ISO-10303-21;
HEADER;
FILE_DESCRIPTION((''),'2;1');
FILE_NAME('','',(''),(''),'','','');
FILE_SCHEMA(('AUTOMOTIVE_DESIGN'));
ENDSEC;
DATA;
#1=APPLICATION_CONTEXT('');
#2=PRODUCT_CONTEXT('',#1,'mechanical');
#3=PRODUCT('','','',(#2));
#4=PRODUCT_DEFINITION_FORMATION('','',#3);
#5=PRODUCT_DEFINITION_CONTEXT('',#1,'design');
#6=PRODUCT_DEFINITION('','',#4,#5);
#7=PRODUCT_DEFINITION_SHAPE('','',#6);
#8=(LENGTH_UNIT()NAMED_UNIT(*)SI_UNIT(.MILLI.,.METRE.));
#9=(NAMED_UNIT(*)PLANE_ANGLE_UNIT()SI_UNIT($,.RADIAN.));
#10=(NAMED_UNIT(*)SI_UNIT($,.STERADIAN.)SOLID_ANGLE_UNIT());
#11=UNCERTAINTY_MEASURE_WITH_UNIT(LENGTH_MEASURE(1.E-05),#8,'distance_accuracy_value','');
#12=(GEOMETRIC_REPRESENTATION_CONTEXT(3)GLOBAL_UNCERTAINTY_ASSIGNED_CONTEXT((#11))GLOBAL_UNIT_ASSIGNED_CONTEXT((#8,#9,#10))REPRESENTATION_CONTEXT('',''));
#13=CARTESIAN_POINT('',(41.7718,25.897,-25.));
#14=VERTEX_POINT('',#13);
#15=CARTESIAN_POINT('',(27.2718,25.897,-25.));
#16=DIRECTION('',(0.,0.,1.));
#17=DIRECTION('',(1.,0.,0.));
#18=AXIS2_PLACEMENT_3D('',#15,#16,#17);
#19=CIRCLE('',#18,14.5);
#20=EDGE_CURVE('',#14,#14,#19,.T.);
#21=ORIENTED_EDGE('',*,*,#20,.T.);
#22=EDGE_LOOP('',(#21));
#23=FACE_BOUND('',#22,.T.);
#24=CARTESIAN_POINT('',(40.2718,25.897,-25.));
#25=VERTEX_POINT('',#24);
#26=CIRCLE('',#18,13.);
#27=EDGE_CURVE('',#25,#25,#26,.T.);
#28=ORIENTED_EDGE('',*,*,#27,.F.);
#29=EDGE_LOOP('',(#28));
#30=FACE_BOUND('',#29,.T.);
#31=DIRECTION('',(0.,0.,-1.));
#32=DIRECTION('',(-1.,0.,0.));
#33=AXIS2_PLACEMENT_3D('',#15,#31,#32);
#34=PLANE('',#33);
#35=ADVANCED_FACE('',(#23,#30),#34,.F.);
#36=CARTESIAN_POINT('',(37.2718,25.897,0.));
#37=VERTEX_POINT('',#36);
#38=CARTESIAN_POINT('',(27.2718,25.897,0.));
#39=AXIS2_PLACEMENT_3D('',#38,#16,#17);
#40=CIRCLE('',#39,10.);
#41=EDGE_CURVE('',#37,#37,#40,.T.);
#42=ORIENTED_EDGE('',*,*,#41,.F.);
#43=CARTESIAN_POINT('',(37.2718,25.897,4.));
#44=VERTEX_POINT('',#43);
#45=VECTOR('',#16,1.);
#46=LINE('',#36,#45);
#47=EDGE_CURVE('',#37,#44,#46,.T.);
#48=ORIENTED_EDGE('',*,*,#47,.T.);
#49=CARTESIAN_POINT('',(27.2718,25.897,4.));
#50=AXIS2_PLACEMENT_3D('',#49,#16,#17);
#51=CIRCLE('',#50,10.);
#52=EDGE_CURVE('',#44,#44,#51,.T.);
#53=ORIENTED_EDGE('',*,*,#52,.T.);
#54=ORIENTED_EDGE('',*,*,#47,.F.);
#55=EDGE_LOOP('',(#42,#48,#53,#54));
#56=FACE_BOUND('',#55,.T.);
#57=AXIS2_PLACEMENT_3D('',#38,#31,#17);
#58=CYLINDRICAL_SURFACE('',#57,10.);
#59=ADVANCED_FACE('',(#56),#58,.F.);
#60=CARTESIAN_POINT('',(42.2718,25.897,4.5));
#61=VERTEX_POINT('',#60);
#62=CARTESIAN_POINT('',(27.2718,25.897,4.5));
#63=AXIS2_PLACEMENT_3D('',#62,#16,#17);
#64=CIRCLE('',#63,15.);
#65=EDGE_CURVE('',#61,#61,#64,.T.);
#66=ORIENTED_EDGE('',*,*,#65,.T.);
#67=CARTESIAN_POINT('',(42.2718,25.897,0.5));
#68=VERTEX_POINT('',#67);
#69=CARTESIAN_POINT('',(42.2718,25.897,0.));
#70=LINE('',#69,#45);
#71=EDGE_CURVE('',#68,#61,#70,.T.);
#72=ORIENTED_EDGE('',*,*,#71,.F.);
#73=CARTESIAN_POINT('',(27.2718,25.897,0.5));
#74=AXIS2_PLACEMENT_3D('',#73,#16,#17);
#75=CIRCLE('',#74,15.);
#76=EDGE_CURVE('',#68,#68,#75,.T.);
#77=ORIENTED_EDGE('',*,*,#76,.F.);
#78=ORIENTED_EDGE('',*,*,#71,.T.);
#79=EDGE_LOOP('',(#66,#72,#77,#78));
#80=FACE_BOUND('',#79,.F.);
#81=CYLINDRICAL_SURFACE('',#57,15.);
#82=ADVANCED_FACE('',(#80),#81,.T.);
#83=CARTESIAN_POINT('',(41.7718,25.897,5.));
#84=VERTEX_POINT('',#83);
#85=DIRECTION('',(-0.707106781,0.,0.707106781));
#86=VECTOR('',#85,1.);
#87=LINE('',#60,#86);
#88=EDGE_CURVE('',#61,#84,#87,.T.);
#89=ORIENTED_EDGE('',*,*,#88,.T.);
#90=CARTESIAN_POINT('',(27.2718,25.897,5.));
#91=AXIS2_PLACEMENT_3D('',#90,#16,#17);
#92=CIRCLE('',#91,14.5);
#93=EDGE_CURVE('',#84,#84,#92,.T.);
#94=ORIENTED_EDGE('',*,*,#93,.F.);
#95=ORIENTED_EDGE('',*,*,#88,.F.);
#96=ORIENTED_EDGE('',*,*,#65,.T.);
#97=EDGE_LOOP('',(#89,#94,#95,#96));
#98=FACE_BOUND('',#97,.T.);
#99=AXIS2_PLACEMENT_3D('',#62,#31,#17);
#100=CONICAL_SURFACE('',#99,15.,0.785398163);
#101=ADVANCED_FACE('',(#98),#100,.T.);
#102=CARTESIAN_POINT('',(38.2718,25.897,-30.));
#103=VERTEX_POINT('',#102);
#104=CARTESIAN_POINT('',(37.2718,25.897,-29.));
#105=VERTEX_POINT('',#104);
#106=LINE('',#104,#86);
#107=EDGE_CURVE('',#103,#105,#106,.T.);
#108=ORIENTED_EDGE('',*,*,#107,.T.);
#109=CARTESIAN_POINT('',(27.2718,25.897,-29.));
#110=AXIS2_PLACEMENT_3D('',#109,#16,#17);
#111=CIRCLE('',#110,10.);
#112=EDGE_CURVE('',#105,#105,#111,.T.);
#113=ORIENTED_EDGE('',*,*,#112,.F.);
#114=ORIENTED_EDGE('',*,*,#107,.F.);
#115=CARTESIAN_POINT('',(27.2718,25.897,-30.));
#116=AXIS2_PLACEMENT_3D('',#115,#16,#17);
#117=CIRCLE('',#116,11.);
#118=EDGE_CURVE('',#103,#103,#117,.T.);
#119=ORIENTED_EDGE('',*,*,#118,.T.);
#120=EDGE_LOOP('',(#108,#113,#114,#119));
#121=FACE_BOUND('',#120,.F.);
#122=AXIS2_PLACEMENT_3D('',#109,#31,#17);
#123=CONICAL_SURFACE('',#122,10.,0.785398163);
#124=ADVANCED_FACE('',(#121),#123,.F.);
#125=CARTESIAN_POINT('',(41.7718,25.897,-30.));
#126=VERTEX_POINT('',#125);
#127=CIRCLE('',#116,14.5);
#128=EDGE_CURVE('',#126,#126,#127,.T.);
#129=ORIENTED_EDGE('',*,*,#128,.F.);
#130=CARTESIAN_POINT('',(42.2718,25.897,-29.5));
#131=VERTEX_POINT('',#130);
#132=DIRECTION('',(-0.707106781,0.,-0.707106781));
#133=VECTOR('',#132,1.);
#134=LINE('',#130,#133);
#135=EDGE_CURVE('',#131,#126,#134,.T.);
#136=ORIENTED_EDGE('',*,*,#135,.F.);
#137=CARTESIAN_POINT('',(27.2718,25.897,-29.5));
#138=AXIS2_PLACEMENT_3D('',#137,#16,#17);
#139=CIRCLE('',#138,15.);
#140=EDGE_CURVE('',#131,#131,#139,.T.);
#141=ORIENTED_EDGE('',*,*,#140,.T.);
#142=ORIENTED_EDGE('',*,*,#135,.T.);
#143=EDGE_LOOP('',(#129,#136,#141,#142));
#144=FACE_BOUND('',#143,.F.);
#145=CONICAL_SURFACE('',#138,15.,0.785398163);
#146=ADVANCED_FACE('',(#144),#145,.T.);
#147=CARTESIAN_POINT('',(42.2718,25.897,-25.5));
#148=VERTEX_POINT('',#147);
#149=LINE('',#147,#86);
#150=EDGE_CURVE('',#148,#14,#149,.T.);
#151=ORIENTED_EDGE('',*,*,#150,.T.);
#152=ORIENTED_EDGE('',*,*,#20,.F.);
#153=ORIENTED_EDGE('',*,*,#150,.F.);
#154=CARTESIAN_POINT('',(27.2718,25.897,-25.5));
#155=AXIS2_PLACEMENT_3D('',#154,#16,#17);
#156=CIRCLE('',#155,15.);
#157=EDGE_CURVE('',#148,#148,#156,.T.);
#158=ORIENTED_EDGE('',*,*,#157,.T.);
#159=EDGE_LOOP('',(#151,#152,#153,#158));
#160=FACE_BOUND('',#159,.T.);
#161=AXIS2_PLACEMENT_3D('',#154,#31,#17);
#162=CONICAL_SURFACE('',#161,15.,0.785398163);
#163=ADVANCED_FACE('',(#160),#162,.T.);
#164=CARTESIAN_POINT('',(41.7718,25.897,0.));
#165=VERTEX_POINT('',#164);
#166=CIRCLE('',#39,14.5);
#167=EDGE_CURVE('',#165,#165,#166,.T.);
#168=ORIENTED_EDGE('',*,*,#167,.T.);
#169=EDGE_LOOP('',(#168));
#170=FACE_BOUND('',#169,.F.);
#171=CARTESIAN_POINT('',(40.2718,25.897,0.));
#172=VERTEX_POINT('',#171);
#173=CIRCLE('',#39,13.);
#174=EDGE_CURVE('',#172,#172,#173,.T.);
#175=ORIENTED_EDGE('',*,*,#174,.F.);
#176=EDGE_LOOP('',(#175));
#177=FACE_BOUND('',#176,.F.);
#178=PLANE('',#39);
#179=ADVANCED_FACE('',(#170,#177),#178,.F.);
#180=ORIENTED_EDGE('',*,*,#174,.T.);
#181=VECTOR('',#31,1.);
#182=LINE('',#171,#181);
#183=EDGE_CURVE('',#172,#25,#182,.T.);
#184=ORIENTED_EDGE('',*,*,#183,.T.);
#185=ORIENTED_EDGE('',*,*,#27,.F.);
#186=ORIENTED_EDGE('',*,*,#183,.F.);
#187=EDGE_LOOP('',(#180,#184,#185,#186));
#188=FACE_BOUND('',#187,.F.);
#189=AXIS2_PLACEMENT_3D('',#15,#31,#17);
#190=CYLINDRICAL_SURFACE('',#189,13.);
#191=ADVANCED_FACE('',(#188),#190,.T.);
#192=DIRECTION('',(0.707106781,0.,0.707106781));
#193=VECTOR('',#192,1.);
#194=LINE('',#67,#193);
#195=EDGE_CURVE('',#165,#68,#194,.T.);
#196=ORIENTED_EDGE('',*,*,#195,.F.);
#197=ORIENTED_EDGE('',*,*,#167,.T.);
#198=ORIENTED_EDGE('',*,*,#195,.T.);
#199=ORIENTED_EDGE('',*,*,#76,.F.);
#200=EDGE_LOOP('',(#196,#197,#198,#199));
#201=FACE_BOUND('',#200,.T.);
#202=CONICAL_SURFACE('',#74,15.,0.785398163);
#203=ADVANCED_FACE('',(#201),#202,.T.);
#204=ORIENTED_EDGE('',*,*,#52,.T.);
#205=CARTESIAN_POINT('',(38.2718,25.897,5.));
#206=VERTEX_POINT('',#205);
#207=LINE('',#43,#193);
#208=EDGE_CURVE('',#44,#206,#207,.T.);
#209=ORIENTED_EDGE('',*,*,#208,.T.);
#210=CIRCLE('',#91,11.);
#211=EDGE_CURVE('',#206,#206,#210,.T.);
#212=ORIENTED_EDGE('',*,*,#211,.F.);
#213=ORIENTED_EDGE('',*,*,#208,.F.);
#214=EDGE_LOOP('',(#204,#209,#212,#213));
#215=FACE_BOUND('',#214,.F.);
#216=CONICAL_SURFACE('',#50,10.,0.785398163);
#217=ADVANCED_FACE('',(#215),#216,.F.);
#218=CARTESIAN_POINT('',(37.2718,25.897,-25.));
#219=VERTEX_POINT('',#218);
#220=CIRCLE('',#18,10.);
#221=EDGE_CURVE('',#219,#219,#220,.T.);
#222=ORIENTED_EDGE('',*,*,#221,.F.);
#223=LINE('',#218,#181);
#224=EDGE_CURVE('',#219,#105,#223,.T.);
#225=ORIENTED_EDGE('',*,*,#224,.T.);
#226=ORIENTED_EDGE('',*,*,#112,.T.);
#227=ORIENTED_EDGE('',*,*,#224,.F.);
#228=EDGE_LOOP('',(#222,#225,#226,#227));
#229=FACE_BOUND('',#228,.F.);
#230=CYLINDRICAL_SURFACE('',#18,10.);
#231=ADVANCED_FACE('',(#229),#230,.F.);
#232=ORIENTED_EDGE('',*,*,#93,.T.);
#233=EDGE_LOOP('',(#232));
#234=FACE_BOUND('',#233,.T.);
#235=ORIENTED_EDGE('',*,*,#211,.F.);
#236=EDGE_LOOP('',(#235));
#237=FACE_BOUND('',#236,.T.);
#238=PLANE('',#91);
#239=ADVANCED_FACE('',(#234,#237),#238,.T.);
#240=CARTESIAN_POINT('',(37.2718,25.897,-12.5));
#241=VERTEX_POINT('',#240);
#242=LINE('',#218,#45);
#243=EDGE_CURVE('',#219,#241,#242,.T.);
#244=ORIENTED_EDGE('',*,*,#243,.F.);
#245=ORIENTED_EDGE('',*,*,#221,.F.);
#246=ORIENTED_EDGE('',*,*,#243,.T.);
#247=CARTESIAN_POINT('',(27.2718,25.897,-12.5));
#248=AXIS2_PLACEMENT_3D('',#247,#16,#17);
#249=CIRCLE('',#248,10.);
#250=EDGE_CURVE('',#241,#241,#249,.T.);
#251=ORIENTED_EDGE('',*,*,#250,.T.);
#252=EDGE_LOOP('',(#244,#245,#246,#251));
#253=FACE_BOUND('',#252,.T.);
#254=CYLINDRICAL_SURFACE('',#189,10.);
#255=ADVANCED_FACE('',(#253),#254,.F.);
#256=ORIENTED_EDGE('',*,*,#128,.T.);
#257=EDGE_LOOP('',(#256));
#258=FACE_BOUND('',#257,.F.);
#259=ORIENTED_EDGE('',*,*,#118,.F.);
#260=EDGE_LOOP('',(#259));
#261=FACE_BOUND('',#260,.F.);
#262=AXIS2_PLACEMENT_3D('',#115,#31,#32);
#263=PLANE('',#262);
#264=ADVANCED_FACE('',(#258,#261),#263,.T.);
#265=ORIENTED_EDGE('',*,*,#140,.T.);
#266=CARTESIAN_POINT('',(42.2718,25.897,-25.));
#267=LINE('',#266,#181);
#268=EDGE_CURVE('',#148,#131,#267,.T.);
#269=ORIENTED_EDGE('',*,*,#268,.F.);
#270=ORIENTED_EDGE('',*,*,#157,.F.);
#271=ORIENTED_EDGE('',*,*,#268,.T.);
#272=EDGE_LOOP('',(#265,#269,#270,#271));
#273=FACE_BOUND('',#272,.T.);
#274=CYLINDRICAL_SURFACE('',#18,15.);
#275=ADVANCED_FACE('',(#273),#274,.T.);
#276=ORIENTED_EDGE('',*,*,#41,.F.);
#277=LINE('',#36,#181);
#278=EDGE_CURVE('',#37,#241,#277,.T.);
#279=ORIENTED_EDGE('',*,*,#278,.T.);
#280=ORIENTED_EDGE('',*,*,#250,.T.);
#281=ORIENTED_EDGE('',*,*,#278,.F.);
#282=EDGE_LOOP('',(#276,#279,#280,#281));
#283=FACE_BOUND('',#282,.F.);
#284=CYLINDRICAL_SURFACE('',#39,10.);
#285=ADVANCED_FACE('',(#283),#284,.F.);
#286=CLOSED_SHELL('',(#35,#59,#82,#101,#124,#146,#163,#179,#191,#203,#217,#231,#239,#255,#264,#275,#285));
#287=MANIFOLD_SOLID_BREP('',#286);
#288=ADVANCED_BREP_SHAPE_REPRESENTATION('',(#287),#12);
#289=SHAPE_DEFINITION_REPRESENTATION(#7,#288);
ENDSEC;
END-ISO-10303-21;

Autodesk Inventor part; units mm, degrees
ref_plane "YZ Plane" through (0, 0, 0) normal (1, 0, 0) x (0, 1, 0)
ref_plane "XZ Plane" through (0, 0, 0) normal (0, 1, 0) x (-1, 0, 0)
ref_plane "XY Plane" through (0, 0, 0) normal (0, 0, 1) x (1, 0, 0)
sketch "Sketch1" plane through (0, 0, 0) normal (0, 0, 1) x (1, 0, 0)
  circle A0 centre (27.2718, 25.897) radius 13 projected
  circle A1 centre (27.2718, 25.897) radius 10
  point P0 (0, 0)
  dimension "d0" = 20
extrude "Extrusion1" add sketch "Sketch1" against normal blind 12.5
sketch "Sketch2" plane through (27.2718, 25.897, 0) normal (0, 0, 1) x (1, 0, 0)
  circle A0 centre (0, 0) radius 15
  circle A1 centre (0, 0) radius 10 projected
  point P0 (-27.2718, -25.897)
  dimension "d4" = 30
extrude "Extrusion2" add sketch "Sketch2" along normal blind 5
mirror "Mirror1" about plane through (27.2718, 25.897, -12.5) normal (0, 0, -1) of "Extrusion1", "Extrusion2"
chamfer "Chamfer1" distance 0.5 angle 45 4 edges at (12.2718, 25.897, -30) (12.2718, 25.897, 5) (12.2718, 25.897, 0) (12.2718, 25.897, -25)
chamfer "Chamfer2" distance 1 angle 45 2 edges at (17.2718, 25.897, 5) (17.2718, 25.897, -30)
properties part number "Holkki" material "Polyethylene, High Density"
